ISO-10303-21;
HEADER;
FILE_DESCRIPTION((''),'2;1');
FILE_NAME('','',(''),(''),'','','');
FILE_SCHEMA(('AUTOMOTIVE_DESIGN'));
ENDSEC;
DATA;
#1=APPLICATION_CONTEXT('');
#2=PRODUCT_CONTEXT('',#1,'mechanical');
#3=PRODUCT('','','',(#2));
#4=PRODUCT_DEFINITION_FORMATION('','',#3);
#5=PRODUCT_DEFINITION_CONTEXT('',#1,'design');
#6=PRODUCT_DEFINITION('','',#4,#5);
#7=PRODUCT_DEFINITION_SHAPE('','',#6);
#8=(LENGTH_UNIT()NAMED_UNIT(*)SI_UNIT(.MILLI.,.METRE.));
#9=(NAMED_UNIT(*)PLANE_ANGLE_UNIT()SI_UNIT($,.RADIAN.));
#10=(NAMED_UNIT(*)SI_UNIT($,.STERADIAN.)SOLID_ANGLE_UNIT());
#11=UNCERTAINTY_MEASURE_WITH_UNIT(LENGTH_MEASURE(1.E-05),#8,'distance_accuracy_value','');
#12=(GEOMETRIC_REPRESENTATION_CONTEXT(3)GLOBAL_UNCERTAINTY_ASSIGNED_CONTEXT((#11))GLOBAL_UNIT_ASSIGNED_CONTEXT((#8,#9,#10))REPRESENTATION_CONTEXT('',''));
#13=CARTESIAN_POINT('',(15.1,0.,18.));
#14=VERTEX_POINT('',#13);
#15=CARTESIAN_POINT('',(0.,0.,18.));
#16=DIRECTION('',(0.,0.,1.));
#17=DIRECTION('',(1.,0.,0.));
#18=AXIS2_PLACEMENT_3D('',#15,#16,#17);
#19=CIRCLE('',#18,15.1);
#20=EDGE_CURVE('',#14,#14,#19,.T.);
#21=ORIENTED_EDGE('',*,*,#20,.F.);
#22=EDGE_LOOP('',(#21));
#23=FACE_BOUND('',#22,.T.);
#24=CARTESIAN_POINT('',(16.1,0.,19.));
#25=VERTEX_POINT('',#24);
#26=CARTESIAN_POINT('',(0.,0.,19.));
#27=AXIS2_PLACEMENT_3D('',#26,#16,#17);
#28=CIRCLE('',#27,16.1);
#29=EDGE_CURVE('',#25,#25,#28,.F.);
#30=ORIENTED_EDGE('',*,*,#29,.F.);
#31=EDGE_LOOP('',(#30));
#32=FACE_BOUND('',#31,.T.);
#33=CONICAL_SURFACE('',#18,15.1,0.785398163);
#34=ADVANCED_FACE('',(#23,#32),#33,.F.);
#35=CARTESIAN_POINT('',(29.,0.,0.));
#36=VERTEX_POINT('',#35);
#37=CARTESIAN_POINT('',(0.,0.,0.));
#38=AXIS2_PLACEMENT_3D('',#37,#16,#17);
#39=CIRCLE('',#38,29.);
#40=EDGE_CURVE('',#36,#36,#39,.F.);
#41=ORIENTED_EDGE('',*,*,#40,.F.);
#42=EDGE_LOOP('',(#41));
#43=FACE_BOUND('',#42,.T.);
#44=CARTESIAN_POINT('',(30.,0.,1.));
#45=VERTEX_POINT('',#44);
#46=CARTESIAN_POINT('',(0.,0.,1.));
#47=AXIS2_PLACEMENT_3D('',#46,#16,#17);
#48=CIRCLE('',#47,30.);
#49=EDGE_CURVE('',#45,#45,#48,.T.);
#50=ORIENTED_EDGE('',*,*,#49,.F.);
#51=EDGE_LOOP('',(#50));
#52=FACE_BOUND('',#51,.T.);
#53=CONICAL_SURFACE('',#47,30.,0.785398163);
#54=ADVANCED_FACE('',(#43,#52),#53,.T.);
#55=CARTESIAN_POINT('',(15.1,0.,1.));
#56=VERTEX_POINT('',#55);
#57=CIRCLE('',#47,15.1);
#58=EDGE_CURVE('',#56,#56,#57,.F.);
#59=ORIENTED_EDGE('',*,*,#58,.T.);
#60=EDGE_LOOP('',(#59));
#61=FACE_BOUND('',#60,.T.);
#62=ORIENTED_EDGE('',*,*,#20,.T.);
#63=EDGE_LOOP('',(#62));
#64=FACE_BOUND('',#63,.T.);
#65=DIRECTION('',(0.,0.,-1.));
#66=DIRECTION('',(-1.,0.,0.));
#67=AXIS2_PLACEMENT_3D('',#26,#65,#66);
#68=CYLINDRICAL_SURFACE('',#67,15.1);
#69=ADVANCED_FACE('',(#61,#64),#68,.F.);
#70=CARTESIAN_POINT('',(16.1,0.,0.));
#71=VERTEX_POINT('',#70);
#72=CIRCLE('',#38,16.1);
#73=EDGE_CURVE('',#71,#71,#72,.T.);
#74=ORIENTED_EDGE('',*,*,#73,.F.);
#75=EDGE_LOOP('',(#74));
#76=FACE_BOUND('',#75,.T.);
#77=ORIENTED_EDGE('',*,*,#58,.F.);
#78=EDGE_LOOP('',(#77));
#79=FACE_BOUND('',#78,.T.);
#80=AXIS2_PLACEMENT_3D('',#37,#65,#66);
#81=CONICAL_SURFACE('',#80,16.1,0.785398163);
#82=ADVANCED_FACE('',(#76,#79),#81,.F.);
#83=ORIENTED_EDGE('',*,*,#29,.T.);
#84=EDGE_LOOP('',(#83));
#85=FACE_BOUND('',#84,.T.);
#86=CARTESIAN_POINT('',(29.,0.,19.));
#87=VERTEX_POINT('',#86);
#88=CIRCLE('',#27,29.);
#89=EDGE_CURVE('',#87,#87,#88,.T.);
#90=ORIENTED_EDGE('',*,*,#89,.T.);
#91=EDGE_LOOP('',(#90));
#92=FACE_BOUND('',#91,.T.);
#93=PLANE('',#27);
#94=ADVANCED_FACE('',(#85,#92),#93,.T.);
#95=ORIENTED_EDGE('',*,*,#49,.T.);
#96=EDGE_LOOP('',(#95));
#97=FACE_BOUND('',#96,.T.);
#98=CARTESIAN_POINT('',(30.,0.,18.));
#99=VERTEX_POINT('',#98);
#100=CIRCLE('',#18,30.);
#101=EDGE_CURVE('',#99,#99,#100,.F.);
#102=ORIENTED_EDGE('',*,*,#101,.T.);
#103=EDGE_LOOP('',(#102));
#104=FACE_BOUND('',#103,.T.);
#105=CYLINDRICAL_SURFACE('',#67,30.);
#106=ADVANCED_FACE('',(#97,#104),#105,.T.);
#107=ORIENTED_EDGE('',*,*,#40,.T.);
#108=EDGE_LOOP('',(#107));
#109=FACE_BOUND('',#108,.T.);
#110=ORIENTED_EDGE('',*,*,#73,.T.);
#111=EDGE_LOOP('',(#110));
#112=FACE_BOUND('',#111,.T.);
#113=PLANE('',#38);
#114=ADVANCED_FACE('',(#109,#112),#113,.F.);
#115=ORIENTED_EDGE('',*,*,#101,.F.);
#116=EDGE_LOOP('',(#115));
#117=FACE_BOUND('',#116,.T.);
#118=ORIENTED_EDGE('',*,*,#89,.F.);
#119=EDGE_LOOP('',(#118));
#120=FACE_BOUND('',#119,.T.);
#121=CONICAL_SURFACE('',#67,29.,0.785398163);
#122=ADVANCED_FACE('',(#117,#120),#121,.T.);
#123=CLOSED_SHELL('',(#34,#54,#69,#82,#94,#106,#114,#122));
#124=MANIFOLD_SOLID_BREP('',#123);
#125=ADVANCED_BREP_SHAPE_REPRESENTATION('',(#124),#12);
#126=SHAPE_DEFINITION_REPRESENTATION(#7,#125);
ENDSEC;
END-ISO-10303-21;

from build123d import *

# Parameters (mm, degrees)
SKETCH_1_R      = 30
SKETCH_1_R_2    = 15.1
EXTRUDE_1_DEPTH = 19
CHAMFER_1_SIZE  = 1


with BuildPart() as part:
    # 草图1 → 凸台-拉伸1 (new body)
    with BuildSketch(Plane.XY):
        Circle(SKETCH_1_R)
        Circle(SKETCH_1_R_2, mode=Mode.SUBTRACT)
    extrude(amount=EXTRUDE_1_DEPTH)

    # 倒角1
    chamfer_1_edges = [part.edges().sort_by_distance(p)[0] for p in [
        (-30, 0, 0),
        (-30, 0, 19),
        (-15.1, 0, 0),
        (-15.1, 0, 19),
    ]]
    chamfer(chamfer_1_edges, length=CHAMFER_1_SIZE)


solid = part.part
